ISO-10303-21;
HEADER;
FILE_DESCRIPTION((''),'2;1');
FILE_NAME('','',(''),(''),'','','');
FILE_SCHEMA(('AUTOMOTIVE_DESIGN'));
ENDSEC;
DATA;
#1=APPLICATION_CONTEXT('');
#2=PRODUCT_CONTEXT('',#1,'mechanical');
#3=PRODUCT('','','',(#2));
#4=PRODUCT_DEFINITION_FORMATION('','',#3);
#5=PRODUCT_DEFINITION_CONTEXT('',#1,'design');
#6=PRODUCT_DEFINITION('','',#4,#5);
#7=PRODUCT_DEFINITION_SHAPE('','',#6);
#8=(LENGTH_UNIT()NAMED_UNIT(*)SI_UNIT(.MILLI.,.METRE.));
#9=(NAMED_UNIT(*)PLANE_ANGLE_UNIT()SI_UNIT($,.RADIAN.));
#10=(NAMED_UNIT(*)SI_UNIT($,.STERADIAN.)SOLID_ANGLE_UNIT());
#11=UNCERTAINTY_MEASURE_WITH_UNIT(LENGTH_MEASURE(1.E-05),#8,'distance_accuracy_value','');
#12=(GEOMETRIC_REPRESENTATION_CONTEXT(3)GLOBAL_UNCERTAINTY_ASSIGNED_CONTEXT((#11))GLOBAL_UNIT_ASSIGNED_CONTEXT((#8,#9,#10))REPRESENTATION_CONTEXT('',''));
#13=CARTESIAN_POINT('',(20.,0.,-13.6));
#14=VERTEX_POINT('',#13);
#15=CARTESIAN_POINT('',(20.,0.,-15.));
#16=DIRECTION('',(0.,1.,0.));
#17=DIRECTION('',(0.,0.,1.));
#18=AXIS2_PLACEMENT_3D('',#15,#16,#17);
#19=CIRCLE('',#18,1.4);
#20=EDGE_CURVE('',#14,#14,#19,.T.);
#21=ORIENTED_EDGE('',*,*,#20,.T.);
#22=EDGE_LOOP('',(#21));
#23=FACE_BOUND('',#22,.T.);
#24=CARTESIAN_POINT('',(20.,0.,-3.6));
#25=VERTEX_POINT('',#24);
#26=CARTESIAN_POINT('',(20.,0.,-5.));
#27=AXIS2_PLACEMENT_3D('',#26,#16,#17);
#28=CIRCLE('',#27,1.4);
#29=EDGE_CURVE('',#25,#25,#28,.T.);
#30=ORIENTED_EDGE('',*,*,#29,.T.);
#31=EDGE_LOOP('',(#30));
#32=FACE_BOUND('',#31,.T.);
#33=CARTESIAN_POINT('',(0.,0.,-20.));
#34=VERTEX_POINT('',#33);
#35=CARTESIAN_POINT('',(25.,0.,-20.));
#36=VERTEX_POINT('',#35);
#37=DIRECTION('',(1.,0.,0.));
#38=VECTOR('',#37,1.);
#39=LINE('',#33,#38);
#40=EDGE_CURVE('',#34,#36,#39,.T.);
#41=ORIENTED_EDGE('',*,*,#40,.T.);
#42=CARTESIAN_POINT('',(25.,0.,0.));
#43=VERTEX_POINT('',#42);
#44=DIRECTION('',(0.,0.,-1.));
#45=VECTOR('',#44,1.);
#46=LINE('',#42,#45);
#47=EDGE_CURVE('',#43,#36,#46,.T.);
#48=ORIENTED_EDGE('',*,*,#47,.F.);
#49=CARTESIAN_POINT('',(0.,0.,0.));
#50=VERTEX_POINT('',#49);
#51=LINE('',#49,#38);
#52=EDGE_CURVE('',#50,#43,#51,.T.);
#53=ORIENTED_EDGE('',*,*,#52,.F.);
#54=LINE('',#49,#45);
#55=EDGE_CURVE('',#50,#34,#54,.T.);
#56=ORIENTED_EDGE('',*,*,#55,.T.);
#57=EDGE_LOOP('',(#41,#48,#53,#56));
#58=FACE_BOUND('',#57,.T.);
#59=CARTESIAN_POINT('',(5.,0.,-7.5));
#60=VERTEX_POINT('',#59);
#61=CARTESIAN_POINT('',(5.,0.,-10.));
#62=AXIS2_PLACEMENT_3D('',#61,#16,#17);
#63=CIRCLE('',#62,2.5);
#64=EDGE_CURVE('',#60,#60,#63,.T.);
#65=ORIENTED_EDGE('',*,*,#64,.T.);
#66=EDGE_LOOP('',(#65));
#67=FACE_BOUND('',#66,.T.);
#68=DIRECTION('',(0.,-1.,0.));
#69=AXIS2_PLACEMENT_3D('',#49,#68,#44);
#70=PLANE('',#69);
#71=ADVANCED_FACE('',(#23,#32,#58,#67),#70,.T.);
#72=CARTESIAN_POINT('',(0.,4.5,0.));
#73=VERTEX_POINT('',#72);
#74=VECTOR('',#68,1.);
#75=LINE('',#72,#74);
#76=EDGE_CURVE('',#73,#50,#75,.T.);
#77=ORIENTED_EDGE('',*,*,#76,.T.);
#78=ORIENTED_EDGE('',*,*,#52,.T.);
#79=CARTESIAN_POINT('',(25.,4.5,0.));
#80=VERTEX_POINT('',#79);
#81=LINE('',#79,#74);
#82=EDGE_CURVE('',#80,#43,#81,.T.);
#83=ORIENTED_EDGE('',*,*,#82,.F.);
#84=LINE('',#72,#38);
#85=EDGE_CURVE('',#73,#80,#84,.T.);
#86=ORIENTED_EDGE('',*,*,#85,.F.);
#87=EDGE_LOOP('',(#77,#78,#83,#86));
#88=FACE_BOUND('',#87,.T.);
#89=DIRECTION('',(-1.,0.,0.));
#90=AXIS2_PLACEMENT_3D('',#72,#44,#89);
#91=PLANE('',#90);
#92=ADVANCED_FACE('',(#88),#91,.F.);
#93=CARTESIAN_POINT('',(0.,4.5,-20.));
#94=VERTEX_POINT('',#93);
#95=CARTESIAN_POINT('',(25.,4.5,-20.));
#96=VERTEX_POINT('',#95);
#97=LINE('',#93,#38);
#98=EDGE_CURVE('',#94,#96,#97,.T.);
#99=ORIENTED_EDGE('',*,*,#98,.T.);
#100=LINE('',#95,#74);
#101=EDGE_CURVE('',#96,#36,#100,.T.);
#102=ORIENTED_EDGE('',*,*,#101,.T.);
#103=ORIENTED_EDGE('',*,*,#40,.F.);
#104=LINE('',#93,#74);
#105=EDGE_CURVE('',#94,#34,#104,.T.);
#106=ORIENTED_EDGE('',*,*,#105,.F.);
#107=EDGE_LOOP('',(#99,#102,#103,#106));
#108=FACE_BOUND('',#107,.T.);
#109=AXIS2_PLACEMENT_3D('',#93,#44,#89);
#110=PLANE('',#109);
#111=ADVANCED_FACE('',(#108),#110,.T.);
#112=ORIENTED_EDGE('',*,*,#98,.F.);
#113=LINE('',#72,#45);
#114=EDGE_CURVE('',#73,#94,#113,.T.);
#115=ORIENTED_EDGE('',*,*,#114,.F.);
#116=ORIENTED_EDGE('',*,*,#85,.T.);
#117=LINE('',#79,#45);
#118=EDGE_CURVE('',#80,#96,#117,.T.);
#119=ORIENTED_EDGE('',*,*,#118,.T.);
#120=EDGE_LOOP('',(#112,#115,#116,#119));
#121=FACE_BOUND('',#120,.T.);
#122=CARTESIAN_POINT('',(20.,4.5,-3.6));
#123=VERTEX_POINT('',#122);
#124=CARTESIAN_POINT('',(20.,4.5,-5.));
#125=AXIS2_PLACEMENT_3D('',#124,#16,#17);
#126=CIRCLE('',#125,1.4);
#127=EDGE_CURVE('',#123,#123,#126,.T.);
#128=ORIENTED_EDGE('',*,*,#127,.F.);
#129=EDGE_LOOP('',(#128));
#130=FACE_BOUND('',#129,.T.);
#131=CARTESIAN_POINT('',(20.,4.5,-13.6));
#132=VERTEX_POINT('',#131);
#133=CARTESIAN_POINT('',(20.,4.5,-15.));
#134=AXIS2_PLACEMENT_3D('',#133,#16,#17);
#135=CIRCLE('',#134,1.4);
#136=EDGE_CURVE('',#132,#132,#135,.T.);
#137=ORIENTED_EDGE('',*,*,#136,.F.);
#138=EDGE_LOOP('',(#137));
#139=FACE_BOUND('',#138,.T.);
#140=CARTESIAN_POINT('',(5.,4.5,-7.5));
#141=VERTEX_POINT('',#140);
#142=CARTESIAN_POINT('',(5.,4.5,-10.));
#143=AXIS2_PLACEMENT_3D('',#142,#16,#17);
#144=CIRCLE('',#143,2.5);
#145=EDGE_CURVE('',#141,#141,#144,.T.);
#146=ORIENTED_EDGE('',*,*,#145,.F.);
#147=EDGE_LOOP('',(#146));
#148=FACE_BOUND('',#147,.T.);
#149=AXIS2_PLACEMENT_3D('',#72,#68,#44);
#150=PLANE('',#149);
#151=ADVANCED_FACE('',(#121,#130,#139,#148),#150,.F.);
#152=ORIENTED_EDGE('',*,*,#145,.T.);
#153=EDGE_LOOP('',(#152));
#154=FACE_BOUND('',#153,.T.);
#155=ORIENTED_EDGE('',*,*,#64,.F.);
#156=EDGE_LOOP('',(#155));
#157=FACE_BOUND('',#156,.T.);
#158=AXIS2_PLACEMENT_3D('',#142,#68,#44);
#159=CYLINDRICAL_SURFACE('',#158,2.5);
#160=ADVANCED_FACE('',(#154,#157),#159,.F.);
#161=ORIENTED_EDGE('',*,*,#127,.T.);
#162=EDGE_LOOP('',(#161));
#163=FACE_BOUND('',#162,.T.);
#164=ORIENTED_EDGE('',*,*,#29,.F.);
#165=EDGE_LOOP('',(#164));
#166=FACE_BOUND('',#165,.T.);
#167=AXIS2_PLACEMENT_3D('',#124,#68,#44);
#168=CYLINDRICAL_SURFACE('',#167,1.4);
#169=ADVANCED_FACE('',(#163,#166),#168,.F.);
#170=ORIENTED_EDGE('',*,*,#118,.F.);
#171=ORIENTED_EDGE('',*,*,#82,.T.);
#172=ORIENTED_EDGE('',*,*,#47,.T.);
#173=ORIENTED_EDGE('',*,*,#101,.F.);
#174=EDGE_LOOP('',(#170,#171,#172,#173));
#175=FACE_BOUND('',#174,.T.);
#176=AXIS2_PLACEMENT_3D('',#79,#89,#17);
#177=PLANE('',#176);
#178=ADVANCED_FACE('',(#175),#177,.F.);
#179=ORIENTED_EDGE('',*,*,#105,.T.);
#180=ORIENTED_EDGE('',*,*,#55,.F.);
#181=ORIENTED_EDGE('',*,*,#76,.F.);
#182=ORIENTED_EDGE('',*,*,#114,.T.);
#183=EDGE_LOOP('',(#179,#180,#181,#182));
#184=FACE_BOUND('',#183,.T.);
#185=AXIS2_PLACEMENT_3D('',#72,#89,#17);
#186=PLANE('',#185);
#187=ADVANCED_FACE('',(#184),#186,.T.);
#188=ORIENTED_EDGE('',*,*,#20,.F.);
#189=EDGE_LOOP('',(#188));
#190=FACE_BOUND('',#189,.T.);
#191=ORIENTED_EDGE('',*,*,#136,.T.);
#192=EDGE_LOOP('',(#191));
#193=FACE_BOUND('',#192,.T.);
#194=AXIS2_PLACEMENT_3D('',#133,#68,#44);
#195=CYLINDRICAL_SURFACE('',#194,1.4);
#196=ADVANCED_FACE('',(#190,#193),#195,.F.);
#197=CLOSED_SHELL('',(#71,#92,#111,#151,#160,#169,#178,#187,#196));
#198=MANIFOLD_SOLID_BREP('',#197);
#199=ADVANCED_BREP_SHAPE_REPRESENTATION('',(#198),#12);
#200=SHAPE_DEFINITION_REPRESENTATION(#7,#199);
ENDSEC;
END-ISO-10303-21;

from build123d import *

# Parameters (mm, degrees)
SKETCH1_W           = 25
SKETCH1_H           = 20
BOSS_EXTRUDE1_DEPTH = 4.5
SKETCH1_4_R         = 2.5
SKETCH1_4_R_2       = 1.4
CUT_EXTRUDE1_DEPTH  = 4.5


with BuildPart() as part:
    # Sketch1 → Boss-Extrude1 (new body)
    with BuildSketch(Plane(origin=(0, 0, 0), x_dir=(1, 0, 0), z_dir=(0, 1, 0))):
        with Locations((12.5, 10)):
            Rectangle(SKETCH1_W, SKETCH1_H)
    extrude(amount=BOSS_EXTRUDE1_DEPTH)

    # Sketch1<4> → Cut-Extrude1 (cut)
    with BuildSketch(Plane(origin=(0, 0, 0), x_dir=(1, 0, 0), z_dir=(0, 1, 0))):
        with Locations((5, 10)):
            Circle(SKETCH1_4_R)
        with Locations((20, 15)):
            Circle(SKETCH1_4_R_2)
        with Locations((20, 5)):
            Circle(SKETCH1_4_R_2)
    extrude(amount=CUT_EXTRUDE1_DEPTH, mode=Mode.SUBTRACT)


solid = part.part
